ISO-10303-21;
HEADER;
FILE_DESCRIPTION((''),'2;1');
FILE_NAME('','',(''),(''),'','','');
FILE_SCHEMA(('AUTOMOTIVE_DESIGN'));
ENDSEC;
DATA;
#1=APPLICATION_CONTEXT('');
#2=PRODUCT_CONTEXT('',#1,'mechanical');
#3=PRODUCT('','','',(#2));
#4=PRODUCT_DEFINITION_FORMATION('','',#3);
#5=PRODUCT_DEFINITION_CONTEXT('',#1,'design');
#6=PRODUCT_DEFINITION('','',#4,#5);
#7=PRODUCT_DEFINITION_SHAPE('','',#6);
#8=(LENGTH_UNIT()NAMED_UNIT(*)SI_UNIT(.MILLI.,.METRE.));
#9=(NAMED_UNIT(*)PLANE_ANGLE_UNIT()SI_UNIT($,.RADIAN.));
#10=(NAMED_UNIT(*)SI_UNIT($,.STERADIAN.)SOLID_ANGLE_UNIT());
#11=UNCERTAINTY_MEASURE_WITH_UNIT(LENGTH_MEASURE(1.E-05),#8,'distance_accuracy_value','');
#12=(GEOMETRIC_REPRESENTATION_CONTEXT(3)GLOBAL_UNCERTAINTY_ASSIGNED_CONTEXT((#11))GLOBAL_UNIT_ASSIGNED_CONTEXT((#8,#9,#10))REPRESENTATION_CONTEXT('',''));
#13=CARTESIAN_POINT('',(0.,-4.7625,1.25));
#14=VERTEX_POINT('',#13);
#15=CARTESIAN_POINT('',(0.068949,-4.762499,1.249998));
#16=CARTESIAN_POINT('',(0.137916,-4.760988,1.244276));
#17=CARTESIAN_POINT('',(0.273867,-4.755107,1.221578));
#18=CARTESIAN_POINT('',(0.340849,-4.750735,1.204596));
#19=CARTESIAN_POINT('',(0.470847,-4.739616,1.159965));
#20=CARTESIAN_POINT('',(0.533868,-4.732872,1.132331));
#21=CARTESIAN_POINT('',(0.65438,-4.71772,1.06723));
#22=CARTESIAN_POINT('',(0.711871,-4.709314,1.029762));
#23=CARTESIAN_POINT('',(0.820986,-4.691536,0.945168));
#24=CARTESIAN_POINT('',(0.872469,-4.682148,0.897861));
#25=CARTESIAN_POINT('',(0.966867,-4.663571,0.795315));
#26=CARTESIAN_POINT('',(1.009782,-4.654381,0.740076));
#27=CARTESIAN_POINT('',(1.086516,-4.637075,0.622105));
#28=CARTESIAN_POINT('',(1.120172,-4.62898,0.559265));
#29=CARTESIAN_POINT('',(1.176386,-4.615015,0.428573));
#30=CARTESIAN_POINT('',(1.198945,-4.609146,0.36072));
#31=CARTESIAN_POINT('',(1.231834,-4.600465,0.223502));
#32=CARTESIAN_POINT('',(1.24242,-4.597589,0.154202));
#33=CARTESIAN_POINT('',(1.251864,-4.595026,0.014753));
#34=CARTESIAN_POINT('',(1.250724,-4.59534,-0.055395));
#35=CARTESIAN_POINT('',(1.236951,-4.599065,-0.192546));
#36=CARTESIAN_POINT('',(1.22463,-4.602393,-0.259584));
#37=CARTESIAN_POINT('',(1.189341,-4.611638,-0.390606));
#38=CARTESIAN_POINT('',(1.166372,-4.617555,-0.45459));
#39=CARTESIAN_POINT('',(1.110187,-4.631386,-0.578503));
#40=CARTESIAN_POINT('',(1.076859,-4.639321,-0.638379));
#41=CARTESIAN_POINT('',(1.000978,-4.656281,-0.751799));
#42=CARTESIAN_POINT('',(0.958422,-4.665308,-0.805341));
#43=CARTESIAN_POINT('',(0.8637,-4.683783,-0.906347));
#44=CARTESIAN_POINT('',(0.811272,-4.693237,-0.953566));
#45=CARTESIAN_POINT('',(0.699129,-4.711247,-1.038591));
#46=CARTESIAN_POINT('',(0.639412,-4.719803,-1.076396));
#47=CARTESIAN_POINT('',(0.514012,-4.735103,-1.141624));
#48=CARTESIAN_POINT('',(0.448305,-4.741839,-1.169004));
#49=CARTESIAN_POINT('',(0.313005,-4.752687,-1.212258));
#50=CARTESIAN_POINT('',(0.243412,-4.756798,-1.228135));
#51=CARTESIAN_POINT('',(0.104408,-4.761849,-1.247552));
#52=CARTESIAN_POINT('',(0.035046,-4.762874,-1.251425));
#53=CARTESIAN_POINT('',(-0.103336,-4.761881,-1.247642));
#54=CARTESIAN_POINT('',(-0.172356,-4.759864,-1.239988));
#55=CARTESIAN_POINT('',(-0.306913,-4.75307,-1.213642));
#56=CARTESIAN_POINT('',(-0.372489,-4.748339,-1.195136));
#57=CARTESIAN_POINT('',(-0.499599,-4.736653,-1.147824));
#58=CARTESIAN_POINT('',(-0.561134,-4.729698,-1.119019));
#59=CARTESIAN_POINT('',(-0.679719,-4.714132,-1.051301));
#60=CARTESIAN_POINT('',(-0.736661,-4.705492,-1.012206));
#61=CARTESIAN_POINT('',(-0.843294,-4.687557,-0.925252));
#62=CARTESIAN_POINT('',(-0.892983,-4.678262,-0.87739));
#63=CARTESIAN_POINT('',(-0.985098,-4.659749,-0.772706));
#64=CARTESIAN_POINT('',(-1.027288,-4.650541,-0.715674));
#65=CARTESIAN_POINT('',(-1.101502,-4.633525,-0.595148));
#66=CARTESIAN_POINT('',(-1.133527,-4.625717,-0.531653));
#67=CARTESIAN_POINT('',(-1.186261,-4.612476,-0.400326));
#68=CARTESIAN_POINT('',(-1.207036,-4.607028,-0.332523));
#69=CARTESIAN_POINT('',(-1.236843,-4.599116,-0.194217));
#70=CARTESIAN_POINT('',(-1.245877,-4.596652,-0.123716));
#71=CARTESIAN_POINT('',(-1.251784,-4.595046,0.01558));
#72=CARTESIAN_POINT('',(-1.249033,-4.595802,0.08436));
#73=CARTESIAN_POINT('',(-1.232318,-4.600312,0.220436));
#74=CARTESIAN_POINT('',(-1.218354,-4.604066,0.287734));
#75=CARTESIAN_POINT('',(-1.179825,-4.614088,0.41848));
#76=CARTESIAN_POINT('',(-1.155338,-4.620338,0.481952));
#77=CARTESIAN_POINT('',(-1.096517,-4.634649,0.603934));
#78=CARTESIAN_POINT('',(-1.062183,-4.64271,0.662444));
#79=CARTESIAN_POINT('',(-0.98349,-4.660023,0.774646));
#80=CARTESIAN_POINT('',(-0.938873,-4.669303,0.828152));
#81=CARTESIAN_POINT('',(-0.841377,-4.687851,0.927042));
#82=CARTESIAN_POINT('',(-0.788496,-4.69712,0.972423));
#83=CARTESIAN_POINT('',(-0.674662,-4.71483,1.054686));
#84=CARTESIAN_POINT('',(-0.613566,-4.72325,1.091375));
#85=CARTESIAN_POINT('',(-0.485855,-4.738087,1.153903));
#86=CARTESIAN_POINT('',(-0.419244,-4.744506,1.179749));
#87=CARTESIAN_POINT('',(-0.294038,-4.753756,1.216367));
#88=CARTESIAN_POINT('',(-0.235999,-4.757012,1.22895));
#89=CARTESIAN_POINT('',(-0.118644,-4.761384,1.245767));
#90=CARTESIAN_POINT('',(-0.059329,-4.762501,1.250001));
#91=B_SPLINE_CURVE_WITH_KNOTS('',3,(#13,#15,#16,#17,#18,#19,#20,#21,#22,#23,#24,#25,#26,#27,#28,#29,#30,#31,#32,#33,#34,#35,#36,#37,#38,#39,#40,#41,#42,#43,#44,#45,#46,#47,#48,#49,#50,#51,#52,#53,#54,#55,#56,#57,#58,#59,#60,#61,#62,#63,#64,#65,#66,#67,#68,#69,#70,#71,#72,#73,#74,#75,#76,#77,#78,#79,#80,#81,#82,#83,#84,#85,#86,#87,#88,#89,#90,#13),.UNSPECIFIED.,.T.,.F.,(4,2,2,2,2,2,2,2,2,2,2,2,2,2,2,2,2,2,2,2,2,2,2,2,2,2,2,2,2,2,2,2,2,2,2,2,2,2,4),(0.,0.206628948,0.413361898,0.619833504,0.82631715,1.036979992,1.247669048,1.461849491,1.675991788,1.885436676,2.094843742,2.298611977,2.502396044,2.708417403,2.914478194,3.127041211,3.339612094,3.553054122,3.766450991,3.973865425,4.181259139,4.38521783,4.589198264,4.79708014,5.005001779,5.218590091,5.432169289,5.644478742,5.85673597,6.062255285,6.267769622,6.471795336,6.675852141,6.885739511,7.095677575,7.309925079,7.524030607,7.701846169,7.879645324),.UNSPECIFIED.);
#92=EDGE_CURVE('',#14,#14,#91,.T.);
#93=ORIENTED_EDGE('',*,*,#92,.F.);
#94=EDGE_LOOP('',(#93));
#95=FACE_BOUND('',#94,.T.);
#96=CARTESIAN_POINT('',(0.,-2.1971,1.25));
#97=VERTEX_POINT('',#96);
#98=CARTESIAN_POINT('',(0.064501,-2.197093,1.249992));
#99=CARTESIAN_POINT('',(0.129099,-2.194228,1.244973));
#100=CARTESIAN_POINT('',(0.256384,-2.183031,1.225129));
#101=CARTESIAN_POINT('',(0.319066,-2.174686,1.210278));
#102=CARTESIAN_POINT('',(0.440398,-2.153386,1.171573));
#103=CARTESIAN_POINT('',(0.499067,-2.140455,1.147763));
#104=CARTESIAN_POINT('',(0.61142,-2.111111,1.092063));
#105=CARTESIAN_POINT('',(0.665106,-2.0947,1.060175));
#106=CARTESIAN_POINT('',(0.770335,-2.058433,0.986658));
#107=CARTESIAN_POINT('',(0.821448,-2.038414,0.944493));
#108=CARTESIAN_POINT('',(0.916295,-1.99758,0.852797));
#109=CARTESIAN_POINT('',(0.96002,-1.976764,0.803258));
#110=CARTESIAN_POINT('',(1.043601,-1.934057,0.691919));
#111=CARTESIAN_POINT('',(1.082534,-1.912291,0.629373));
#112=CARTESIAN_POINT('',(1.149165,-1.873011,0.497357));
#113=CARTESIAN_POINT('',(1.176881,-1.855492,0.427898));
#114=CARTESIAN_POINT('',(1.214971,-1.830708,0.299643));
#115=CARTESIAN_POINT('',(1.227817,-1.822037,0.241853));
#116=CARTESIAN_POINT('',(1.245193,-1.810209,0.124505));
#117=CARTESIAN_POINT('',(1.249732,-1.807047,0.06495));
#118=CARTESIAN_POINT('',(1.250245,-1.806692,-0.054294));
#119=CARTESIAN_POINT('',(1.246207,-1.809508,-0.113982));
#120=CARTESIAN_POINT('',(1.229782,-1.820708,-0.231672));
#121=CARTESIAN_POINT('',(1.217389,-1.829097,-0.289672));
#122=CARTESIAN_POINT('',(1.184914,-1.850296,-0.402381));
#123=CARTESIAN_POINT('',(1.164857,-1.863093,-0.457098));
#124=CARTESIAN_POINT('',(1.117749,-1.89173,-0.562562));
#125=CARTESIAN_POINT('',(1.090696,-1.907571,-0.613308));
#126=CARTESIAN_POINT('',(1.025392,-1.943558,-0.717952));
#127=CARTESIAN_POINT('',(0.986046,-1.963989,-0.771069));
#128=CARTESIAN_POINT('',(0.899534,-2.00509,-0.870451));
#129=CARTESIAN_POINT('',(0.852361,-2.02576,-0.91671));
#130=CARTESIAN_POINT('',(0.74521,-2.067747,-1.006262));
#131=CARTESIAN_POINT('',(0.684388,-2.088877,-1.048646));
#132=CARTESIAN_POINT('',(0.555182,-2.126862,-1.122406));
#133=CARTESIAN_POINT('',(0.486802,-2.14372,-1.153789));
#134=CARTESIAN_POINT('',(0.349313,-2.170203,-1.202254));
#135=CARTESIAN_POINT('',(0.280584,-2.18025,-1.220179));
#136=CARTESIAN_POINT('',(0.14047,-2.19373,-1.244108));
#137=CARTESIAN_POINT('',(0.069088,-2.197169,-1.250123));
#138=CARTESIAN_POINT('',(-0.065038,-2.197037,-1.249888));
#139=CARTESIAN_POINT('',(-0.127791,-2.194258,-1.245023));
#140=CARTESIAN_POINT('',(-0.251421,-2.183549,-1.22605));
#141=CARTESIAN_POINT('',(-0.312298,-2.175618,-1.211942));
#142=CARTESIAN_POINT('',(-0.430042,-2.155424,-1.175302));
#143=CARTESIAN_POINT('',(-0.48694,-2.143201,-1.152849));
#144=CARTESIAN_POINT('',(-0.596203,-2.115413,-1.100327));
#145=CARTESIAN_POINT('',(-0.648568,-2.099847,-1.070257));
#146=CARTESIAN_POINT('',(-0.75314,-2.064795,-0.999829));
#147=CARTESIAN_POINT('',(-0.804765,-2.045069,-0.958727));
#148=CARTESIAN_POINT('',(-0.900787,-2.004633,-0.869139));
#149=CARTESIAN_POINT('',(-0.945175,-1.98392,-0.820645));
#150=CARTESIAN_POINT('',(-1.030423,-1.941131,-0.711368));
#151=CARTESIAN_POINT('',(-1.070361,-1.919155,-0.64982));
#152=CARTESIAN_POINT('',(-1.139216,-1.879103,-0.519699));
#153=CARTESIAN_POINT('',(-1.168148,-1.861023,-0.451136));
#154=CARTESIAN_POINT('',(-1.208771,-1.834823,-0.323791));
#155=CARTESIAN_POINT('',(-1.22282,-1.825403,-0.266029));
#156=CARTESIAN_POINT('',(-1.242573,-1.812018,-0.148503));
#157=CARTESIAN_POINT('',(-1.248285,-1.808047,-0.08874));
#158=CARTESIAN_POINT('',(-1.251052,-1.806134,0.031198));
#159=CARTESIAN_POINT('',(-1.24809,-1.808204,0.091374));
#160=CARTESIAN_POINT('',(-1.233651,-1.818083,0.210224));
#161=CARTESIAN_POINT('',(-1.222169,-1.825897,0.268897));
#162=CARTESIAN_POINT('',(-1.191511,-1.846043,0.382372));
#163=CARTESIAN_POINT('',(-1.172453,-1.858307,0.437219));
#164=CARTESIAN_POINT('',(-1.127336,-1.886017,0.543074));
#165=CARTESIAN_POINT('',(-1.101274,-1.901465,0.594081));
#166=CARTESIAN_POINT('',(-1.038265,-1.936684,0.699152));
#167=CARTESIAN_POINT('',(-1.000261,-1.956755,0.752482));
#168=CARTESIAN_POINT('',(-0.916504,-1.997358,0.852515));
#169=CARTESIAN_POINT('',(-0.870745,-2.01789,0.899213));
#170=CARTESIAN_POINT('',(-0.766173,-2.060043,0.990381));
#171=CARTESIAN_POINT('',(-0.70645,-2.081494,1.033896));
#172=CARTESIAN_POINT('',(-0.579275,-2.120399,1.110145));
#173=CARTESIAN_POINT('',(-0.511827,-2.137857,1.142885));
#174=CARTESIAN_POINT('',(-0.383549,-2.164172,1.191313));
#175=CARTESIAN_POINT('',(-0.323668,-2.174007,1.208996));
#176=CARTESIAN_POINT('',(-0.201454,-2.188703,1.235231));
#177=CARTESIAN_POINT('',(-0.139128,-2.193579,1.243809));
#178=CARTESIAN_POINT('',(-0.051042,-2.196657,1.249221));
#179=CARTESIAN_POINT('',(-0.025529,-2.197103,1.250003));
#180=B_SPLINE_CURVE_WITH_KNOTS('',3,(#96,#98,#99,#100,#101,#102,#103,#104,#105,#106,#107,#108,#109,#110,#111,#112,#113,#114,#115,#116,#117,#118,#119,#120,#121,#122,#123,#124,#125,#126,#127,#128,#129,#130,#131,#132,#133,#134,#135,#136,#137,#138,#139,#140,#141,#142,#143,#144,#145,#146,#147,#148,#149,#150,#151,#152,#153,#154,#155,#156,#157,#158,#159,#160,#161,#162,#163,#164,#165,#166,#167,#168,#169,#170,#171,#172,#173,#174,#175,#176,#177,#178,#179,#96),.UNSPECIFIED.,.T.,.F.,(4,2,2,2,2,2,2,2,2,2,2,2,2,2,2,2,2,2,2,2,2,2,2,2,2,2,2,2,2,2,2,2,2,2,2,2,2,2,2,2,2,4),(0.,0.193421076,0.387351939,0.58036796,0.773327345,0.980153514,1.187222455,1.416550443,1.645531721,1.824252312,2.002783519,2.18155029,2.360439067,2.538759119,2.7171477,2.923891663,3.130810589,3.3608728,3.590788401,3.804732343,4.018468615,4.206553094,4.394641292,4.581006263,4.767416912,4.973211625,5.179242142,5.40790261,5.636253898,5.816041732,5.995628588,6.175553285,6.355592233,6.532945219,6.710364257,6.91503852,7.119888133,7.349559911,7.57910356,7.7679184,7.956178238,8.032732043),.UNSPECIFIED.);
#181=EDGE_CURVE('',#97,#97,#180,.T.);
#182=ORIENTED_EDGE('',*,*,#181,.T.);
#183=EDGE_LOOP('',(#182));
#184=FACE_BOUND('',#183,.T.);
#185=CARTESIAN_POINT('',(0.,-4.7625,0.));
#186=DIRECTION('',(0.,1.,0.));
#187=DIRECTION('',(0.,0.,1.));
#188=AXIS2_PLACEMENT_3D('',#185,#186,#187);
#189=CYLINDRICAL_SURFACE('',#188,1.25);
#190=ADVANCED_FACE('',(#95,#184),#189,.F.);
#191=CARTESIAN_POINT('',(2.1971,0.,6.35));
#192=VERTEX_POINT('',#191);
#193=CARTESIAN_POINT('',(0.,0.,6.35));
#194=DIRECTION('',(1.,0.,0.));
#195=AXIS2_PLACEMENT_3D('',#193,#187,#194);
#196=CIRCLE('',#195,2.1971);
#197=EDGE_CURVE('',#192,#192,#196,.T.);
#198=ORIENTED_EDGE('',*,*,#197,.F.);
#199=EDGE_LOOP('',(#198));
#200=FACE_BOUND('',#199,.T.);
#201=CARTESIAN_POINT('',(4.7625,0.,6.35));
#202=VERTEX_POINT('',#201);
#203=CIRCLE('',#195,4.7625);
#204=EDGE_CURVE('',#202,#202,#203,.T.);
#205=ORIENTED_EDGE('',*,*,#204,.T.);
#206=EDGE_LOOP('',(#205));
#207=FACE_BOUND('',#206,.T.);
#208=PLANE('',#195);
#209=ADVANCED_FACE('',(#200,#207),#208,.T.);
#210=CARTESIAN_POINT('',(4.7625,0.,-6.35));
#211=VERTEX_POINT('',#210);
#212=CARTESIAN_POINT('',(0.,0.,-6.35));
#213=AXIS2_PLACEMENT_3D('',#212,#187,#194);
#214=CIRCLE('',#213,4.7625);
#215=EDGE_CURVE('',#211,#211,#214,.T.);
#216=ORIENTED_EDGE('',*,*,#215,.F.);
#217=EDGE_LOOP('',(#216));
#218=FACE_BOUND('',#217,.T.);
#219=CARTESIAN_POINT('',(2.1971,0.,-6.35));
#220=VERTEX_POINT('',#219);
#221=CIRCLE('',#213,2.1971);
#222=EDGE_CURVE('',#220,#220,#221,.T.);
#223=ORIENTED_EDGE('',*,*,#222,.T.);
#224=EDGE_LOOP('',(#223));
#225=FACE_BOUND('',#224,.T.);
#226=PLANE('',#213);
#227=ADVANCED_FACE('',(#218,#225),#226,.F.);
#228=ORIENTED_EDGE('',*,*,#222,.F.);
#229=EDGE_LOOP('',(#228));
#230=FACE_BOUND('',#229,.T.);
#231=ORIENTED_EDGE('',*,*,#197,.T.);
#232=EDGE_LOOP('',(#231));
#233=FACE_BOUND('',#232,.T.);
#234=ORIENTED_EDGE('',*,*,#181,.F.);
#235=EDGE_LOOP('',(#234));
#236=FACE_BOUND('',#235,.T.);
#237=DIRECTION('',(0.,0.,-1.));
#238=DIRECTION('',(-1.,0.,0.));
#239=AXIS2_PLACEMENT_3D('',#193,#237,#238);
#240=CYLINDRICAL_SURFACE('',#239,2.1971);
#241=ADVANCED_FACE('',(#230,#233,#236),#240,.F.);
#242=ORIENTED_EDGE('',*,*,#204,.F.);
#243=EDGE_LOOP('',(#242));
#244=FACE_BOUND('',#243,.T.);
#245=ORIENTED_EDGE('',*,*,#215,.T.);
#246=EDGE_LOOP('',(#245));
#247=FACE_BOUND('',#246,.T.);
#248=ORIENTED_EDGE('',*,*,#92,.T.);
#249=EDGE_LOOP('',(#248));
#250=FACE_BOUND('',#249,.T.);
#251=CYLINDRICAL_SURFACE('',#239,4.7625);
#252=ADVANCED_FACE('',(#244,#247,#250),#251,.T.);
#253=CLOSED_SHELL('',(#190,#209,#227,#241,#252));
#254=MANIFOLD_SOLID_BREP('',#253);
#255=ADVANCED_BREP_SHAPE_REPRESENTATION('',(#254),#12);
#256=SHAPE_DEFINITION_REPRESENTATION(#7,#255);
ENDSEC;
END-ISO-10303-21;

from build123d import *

# Parameters (mm, degrees)
SKETCH1_R           = 4.7625
SKETCH1_R_2         = 2.1971
BOSS_EXTRUDE1_DEPTH = 6.35
SKETCH2_R           = 1.25
CUT_EXTRUDE1_DEPTH  = 5.7625


with BuildPart() as part:
    # Sketch1 → Boss-Extrude1 (new body, symmetric)
    with BuildSketch(Plane.XY):
        Circle(SKETCH1_R)
        Circle(SKETCH1_R_2, mode=Mode.SUBTRACT)
    extrude(amount=BOSS_EXTRUDE1_DEPTH, both=True)

    # Sketch2 → Cut-Extrude1 (cut, through all)
    with BuildSketch(Plane(origin=(0, 0, 0), x_dir=(1, 0, 0), z_dir=(0, 1, 0))):
        Circle(SKETCH2_R)
    extrude(amount=-CUT_EXTRUDE1_DEPTH, mode=Mode.SUBTRACT)


solid = part.part
